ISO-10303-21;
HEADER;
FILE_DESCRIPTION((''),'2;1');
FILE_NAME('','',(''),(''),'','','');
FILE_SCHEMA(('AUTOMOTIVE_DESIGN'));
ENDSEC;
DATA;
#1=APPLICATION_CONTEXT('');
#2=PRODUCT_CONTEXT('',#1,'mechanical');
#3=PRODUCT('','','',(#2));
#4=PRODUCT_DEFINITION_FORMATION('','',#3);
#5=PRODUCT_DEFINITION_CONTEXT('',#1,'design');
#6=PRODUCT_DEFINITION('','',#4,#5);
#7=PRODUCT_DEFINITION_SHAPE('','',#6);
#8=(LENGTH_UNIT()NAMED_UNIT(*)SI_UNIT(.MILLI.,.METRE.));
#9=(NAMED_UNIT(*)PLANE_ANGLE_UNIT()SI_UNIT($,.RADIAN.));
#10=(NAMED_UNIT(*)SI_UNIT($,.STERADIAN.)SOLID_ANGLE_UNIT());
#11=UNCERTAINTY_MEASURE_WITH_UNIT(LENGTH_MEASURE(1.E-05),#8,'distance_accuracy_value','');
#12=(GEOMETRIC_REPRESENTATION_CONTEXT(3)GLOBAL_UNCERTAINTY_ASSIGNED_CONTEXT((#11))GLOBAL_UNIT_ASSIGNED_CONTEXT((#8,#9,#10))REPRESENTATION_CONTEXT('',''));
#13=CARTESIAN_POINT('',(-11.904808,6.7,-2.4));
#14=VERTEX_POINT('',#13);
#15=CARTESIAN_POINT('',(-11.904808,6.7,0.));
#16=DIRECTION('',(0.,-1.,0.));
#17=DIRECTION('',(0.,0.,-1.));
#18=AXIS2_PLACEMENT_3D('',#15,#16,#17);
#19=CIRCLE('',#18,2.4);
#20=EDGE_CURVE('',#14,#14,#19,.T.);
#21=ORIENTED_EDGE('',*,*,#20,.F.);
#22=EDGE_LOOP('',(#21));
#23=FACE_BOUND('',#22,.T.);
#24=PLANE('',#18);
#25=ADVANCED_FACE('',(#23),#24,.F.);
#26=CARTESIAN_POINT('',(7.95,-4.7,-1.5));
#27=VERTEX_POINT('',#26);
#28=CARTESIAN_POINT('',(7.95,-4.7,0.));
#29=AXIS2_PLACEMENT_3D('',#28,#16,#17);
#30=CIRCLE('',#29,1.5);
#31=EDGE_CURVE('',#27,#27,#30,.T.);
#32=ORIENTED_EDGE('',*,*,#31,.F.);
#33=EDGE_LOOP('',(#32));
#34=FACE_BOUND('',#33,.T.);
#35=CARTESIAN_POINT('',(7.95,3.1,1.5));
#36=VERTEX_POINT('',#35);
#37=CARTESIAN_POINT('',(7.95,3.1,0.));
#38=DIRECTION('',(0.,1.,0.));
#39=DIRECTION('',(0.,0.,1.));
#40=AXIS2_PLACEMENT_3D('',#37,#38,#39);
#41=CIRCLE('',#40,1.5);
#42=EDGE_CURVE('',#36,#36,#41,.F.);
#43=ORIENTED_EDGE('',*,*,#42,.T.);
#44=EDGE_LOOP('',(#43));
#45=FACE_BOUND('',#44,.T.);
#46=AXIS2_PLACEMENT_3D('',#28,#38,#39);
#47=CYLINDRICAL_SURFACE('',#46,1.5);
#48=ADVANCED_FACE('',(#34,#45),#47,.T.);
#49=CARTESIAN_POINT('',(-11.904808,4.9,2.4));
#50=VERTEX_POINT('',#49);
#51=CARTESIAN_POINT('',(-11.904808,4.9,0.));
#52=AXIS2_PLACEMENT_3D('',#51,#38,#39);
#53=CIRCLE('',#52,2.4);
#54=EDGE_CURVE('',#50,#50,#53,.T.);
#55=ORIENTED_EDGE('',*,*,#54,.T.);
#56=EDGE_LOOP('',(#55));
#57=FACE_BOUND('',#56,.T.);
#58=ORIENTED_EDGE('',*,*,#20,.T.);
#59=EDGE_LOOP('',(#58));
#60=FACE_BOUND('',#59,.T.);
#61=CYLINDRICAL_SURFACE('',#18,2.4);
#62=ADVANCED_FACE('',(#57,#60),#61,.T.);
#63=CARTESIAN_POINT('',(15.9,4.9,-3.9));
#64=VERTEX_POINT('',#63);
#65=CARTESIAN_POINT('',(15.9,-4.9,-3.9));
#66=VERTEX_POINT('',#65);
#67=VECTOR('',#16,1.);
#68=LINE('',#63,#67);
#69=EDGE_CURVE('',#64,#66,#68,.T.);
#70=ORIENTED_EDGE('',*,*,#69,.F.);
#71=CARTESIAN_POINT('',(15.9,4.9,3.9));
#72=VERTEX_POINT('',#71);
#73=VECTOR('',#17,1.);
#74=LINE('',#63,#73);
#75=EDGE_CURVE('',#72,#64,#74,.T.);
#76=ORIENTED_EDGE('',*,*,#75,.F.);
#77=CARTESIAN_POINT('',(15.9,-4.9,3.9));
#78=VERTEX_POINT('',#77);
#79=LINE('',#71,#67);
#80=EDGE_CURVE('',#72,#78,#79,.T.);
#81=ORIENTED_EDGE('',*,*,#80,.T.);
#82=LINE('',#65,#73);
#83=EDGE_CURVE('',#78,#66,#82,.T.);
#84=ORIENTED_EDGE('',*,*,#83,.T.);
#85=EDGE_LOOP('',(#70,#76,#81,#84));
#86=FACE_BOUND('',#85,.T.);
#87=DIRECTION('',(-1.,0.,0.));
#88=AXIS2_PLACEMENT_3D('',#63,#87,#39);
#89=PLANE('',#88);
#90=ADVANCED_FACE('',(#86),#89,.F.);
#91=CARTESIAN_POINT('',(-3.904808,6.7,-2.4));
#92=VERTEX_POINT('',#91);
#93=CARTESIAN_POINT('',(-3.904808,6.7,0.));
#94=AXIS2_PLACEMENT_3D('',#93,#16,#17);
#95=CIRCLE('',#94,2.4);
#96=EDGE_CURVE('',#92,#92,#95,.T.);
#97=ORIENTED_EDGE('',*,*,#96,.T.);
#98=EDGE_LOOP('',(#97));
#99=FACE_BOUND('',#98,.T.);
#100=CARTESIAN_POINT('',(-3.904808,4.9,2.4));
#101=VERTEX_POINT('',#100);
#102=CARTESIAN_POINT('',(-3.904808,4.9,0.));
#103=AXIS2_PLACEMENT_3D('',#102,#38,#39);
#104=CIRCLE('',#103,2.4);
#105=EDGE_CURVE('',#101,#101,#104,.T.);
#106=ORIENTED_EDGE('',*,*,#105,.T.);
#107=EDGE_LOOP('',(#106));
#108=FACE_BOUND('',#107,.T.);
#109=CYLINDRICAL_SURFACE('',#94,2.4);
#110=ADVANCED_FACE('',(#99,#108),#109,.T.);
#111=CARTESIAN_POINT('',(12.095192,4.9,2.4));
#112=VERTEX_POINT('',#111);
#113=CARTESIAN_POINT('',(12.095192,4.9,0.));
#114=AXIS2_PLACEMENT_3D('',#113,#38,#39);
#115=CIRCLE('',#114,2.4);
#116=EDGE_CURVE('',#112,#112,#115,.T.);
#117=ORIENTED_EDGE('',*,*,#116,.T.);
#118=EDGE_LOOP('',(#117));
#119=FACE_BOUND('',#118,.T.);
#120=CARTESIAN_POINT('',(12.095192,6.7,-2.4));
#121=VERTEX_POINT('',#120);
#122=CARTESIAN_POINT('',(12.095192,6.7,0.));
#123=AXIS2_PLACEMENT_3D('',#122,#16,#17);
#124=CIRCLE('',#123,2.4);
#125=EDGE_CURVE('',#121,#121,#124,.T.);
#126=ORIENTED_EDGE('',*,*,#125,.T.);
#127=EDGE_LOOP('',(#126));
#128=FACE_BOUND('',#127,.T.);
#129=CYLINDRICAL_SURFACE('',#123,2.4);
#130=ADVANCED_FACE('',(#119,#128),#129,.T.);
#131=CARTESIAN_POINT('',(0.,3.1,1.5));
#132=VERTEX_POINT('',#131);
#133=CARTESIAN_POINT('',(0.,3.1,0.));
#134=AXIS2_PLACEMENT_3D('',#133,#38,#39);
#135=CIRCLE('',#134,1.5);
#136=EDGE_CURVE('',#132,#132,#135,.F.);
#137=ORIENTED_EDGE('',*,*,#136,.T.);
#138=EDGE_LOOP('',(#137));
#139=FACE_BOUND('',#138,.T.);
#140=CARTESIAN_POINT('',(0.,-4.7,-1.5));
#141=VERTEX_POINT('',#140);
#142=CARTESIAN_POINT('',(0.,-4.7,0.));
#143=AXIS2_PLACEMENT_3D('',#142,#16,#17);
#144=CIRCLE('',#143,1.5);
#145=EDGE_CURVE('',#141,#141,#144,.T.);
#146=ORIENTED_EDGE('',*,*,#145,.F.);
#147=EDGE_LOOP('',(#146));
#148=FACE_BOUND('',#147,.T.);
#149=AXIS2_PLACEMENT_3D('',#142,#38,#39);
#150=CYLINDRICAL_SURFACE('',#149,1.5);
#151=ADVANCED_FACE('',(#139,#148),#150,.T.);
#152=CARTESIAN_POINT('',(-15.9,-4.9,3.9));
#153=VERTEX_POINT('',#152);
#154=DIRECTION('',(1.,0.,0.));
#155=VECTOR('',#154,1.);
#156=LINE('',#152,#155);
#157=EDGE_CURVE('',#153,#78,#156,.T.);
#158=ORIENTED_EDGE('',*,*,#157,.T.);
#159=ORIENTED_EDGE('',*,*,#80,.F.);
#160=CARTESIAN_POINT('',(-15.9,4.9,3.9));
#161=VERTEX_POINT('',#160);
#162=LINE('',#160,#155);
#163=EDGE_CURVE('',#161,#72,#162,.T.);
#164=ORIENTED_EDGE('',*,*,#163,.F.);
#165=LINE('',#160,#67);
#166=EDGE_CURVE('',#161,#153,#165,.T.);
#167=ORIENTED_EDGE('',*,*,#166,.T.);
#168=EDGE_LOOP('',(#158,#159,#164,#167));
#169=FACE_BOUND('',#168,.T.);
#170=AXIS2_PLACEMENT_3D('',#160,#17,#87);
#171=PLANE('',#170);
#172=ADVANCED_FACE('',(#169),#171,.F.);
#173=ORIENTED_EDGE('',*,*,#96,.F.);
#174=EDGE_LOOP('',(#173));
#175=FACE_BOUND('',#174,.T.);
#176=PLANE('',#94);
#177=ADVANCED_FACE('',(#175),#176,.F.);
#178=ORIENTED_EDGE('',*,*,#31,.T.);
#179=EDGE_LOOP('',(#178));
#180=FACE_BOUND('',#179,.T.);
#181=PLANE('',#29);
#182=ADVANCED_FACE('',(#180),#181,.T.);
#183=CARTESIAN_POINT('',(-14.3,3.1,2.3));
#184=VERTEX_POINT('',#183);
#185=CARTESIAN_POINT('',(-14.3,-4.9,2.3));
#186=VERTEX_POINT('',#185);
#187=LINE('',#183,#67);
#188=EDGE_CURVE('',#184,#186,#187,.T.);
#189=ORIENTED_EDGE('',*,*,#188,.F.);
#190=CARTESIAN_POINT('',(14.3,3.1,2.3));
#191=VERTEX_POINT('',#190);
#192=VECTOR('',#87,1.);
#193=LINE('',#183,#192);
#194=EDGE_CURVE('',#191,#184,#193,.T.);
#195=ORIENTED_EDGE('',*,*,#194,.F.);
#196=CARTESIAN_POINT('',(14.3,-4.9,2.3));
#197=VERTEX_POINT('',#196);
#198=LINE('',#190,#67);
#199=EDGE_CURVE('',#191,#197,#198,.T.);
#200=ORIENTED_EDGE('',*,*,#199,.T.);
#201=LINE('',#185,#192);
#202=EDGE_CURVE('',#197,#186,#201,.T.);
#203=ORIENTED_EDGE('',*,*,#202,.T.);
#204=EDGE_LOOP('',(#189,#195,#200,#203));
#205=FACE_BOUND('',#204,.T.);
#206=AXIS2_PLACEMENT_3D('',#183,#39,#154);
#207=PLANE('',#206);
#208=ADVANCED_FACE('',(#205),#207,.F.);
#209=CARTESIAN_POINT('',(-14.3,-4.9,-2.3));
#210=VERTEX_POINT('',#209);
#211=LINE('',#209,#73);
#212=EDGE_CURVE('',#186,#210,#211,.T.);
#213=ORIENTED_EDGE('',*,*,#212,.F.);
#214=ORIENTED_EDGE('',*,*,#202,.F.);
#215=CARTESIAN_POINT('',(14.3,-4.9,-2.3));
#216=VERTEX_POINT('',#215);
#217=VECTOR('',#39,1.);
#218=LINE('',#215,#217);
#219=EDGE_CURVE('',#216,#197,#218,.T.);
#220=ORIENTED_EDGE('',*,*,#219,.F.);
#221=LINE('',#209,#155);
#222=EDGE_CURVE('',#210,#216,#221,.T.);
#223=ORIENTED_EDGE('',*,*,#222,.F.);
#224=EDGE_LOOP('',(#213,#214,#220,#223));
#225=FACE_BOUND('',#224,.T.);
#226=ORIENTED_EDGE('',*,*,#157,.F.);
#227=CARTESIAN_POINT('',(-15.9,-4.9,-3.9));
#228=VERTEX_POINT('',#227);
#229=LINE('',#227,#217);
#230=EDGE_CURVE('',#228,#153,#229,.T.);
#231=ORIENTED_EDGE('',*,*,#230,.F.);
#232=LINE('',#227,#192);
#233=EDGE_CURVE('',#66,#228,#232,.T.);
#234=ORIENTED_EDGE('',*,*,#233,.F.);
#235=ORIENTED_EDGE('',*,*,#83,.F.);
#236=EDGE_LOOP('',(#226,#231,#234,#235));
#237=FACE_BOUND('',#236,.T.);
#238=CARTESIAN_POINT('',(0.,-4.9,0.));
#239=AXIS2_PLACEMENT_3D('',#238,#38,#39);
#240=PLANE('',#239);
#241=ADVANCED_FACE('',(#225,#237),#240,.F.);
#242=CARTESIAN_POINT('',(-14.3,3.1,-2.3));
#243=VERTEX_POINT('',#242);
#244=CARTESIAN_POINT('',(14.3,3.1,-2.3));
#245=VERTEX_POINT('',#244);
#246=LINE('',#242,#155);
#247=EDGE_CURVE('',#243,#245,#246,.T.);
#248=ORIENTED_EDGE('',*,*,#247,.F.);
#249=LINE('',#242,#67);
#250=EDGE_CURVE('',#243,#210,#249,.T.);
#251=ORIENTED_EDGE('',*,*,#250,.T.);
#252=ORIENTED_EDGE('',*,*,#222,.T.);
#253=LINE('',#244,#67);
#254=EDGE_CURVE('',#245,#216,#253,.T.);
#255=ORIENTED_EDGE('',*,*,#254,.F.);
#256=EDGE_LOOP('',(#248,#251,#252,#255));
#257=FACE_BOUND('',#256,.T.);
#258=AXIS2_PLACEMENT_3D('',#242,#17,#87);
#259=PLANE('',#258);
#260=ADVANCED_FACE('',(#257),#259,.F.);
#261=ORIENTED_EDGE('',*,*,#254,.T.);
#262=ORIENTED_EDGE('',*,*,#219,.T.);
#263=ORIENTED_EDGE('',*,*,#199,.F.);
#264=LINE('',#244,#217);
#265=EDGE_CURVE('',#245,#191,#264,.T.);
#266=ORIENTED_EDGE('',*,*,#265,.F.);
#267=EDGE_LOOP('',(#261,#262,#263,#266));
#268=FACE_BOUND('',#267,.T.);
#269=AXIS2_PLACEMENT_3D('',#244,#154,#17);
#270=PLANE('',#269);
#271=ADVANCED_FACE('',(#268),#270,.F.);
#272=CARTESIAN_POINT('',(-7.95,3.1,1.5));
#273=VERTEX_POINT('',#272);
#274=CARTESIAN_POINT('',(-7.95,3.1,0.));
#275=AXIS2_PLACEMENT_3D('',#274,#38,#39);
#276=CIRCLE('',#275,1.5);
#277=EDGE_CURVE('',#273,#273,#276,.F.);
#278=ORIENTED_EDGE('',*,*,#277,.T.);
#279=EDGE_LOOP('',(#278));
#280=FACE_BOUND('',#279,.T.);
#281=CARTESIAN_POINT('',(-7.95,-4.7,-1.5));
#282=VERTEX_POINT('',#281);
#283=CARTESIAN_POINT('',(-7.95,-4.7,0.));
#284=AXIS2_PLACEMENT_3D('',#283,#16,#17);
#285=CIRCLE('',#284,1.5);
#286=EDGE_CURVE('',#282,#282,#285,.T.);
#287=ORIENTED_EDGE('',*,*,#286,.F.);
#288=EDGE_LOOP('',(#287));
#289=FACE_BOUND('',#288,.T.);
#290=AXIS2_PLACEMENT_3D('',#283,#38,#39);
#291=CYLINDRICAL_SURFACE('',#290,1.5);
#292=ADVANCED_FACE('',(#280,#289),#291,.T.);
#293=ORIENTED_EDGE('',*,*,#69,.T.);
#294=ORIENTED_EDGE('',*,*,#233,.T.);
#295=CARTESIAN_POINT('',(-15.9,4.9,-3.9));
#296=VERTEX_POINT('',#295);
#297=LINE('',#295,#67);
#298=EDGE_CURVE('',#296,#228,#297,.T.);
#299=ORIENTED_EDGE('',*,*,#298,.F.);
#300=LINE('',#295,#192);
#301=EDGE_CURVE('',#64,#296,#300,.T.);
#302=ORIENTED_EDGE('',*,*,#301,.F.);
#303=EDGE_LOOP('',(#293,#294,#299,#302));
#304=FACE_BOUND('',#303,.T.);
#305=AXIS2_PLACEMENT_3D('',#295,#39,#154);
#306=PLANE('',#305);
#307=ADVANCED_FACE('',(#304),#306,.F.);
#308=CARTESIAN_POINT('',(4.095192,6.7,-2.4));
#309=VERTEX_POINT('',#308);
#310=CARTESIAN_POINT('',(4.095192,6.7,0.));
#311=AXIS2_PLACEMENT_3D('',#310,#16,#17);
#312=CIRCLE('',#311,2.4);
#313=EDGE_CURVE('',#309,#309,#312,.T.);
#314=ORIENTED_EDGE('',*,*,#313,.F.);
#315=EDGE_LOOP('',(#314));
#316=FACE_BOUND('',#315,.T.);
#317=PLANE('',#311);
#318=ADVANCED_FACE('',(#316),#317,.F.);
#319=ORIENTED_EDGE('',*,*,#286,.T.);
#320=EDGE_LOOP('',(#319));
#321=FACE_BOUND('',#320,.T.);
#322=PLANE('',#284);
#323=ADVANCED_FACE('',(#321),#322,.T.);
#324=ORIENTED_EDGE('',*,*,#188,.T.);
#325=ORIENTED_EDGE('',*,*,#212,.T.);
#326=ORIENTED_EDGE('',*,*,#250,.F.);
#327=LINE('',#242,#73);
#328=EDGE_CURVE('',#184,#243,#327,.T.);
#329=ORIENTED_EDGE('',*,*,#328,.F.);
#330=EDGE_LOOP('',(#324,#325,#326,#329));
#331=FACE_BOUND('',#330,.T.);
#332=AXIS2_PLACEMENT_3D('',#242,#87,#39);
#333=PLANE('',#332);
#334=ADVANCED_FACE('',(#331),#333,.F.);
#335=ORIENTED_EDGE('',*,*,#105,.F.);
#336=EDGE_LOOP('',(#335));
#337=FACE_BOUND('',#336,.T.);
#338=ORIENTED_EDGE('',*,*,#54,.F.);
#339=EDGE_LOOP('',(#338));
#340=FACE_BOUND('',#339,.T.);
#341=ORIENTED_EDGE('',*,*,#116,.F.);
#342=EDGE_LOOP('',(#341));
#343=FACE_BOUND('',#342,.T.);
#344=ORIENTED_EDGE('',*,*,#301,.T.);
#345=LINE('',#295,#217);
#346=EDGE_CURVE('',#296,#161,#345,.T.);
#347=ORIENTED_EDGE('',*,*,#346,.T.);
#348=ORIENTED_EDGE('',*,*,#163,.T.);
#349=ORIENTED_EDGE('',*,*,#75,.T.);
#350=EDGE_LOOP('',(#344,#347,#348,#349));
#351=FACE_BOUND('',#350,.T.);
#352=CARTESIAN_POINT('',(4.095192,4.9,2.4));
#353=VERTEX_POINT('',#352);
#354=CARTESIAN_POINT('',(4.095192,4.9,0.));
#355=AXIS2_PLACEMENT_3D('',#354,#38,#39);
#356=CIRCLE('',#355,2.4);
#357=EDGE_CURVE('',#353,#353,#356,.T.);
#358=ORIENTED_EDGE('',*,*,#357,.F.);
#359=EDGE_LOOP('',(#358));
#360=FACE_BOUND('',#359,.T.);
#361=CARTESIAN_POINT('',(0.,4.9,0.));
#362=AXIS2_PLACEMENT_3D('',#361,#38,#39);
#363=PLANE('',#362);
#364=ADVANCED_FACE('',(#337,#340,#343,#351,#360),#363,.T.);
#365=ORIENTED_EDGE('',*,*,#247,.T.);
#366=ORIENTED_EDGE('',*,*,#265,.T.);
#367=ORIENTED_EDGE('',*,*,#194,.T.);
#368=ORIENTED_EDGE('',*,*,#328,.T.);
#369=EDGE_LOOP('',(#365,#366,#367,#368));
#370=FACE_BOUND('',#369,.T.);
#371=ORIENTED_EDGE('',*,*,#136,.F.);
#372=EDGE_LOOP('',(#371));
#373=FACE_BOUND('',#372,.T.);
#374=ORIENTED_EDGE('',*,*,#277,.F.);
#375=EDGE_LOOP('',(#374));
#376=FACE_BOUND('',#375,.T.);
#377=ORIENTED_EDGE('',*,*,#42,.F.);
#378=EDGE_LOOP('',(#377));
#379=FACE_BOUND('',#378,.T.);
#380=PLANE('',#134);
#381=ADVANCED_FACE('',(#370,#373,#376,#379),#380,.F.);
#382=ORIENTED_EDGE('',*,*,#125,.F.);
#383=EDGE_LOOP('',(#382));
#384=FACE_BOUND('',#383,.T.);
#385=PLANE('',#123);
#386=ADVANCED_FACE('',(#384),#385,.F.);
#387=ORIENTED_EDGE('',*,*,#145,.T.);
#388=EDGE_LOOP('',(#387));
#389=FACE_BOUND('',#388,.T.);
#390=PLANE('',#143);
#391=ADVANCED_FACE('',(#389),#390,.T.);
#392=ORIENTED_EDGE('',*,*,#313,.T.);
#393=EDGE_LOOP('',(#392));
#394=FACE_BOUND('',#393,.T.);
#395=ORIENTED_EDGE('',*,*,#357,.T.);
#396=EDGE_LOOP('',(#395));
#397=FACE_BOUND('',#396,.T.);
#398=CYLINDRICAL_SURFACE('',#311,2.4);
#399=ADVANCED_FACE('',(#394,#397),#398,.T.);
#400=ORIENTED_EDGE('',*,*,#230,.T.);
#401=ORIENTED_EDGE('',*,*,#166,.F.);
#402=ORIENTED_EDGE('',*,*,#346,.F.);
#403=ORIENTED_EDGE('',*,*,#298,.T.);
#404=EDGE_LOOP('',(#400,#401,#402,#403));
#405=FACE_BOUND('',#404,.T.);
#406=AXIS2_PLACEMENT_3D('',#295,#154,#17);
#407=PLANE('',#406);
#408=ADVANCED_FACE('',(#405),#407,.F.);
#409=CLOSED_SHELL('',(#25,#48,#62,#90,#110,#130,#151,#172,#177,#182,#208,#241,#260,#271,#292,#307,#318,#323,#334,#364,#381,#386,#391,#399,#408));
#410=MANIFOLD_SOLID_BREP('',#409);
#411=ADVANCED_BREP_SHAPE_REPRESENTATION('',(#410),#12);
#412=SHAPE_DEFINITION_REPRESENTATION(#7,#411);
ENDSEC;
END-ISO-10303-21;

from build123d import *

# Parameters (mm, degrees)
SKETCH1_W           = 31.8
SKETCH1_H           = 7.8
BOSS_EXTRUDE1_DEPTH = 4.9
SKETCH2_R           = 2.4
BOSS_EXTRUDE2_DEPTH = 1.8
SKETCH3_W           = 28.6
SKETCH3_H           = 4.6
CUT_EXTRUDE1_DEPTH  = 8
SKETCH6_R           = 1.5
BOSS_EXTRUDE3_DEPTH = 8


with BuildPart() as part:
    # Sketch1 → Boss-Extrude1 (new body, symmetric)
    with BuildSketch(Plane(origin=(0, 0, 0), x_dir=(1, 0, 0), z_dir=(0, 1, 0))):
        Rectangle(SKETCH1_W, SKETCH1_H)
    extrude(amount=BOSS_EXTRUDE1_DEPTH, both=True)

    # Sketch2 → Boss-Extrude2 (add)
    with BuildSketch(Plane(origin=(15.9, 4.9, -3.9), x_dir=(1, 0, 0), z_dir=(0, -1, 0))):
        with Locations((-27.804807902, 3.9)):
            Circle(SKETCH2_R)
        with Locations((-19.804807902, 3.9)):
            Circle(SKETCH2_R)
        with Locations((-11.804807902, 3.9)):
            Circle(SKETCH2_R)
        with Locations((-3.804807902, 3.9)):
            Circle(SKETCH2_R)
    extrude(amount=-BOSS_EXTRUDE2_DEPTH)

    # Sketch3 → Cut-Extrude1 (cut)
    with BuildSketch(Plane.XZ.offset(4.9)):
        Rectangle(SKETCH3_W, SKETCH3_H)
    extrude(amount=-CUT_EXTRUDE1_DEPTH, mode=Mode.SUBTRACT)

    # Sketch6 → Boss-Extrude3 (add)
    with BuildSketch(Plane(origin=(15.9, 3.3, -3.9), x_dir=(-1, 0, 0), z_dir=(0, -1, 0))):
        with Locations((7.95, -3.9)):
            Circle(SKETCH6_R)
        with Locations((15.9, -3.9)):
            Circle(SKETCH6_R)
        with Locations((23.85, -3.9)):
            Circle(SKETCH6_R)
    extrude(amount=BOSS_EXTRUDE3_DEPTH)


solid = part.part
